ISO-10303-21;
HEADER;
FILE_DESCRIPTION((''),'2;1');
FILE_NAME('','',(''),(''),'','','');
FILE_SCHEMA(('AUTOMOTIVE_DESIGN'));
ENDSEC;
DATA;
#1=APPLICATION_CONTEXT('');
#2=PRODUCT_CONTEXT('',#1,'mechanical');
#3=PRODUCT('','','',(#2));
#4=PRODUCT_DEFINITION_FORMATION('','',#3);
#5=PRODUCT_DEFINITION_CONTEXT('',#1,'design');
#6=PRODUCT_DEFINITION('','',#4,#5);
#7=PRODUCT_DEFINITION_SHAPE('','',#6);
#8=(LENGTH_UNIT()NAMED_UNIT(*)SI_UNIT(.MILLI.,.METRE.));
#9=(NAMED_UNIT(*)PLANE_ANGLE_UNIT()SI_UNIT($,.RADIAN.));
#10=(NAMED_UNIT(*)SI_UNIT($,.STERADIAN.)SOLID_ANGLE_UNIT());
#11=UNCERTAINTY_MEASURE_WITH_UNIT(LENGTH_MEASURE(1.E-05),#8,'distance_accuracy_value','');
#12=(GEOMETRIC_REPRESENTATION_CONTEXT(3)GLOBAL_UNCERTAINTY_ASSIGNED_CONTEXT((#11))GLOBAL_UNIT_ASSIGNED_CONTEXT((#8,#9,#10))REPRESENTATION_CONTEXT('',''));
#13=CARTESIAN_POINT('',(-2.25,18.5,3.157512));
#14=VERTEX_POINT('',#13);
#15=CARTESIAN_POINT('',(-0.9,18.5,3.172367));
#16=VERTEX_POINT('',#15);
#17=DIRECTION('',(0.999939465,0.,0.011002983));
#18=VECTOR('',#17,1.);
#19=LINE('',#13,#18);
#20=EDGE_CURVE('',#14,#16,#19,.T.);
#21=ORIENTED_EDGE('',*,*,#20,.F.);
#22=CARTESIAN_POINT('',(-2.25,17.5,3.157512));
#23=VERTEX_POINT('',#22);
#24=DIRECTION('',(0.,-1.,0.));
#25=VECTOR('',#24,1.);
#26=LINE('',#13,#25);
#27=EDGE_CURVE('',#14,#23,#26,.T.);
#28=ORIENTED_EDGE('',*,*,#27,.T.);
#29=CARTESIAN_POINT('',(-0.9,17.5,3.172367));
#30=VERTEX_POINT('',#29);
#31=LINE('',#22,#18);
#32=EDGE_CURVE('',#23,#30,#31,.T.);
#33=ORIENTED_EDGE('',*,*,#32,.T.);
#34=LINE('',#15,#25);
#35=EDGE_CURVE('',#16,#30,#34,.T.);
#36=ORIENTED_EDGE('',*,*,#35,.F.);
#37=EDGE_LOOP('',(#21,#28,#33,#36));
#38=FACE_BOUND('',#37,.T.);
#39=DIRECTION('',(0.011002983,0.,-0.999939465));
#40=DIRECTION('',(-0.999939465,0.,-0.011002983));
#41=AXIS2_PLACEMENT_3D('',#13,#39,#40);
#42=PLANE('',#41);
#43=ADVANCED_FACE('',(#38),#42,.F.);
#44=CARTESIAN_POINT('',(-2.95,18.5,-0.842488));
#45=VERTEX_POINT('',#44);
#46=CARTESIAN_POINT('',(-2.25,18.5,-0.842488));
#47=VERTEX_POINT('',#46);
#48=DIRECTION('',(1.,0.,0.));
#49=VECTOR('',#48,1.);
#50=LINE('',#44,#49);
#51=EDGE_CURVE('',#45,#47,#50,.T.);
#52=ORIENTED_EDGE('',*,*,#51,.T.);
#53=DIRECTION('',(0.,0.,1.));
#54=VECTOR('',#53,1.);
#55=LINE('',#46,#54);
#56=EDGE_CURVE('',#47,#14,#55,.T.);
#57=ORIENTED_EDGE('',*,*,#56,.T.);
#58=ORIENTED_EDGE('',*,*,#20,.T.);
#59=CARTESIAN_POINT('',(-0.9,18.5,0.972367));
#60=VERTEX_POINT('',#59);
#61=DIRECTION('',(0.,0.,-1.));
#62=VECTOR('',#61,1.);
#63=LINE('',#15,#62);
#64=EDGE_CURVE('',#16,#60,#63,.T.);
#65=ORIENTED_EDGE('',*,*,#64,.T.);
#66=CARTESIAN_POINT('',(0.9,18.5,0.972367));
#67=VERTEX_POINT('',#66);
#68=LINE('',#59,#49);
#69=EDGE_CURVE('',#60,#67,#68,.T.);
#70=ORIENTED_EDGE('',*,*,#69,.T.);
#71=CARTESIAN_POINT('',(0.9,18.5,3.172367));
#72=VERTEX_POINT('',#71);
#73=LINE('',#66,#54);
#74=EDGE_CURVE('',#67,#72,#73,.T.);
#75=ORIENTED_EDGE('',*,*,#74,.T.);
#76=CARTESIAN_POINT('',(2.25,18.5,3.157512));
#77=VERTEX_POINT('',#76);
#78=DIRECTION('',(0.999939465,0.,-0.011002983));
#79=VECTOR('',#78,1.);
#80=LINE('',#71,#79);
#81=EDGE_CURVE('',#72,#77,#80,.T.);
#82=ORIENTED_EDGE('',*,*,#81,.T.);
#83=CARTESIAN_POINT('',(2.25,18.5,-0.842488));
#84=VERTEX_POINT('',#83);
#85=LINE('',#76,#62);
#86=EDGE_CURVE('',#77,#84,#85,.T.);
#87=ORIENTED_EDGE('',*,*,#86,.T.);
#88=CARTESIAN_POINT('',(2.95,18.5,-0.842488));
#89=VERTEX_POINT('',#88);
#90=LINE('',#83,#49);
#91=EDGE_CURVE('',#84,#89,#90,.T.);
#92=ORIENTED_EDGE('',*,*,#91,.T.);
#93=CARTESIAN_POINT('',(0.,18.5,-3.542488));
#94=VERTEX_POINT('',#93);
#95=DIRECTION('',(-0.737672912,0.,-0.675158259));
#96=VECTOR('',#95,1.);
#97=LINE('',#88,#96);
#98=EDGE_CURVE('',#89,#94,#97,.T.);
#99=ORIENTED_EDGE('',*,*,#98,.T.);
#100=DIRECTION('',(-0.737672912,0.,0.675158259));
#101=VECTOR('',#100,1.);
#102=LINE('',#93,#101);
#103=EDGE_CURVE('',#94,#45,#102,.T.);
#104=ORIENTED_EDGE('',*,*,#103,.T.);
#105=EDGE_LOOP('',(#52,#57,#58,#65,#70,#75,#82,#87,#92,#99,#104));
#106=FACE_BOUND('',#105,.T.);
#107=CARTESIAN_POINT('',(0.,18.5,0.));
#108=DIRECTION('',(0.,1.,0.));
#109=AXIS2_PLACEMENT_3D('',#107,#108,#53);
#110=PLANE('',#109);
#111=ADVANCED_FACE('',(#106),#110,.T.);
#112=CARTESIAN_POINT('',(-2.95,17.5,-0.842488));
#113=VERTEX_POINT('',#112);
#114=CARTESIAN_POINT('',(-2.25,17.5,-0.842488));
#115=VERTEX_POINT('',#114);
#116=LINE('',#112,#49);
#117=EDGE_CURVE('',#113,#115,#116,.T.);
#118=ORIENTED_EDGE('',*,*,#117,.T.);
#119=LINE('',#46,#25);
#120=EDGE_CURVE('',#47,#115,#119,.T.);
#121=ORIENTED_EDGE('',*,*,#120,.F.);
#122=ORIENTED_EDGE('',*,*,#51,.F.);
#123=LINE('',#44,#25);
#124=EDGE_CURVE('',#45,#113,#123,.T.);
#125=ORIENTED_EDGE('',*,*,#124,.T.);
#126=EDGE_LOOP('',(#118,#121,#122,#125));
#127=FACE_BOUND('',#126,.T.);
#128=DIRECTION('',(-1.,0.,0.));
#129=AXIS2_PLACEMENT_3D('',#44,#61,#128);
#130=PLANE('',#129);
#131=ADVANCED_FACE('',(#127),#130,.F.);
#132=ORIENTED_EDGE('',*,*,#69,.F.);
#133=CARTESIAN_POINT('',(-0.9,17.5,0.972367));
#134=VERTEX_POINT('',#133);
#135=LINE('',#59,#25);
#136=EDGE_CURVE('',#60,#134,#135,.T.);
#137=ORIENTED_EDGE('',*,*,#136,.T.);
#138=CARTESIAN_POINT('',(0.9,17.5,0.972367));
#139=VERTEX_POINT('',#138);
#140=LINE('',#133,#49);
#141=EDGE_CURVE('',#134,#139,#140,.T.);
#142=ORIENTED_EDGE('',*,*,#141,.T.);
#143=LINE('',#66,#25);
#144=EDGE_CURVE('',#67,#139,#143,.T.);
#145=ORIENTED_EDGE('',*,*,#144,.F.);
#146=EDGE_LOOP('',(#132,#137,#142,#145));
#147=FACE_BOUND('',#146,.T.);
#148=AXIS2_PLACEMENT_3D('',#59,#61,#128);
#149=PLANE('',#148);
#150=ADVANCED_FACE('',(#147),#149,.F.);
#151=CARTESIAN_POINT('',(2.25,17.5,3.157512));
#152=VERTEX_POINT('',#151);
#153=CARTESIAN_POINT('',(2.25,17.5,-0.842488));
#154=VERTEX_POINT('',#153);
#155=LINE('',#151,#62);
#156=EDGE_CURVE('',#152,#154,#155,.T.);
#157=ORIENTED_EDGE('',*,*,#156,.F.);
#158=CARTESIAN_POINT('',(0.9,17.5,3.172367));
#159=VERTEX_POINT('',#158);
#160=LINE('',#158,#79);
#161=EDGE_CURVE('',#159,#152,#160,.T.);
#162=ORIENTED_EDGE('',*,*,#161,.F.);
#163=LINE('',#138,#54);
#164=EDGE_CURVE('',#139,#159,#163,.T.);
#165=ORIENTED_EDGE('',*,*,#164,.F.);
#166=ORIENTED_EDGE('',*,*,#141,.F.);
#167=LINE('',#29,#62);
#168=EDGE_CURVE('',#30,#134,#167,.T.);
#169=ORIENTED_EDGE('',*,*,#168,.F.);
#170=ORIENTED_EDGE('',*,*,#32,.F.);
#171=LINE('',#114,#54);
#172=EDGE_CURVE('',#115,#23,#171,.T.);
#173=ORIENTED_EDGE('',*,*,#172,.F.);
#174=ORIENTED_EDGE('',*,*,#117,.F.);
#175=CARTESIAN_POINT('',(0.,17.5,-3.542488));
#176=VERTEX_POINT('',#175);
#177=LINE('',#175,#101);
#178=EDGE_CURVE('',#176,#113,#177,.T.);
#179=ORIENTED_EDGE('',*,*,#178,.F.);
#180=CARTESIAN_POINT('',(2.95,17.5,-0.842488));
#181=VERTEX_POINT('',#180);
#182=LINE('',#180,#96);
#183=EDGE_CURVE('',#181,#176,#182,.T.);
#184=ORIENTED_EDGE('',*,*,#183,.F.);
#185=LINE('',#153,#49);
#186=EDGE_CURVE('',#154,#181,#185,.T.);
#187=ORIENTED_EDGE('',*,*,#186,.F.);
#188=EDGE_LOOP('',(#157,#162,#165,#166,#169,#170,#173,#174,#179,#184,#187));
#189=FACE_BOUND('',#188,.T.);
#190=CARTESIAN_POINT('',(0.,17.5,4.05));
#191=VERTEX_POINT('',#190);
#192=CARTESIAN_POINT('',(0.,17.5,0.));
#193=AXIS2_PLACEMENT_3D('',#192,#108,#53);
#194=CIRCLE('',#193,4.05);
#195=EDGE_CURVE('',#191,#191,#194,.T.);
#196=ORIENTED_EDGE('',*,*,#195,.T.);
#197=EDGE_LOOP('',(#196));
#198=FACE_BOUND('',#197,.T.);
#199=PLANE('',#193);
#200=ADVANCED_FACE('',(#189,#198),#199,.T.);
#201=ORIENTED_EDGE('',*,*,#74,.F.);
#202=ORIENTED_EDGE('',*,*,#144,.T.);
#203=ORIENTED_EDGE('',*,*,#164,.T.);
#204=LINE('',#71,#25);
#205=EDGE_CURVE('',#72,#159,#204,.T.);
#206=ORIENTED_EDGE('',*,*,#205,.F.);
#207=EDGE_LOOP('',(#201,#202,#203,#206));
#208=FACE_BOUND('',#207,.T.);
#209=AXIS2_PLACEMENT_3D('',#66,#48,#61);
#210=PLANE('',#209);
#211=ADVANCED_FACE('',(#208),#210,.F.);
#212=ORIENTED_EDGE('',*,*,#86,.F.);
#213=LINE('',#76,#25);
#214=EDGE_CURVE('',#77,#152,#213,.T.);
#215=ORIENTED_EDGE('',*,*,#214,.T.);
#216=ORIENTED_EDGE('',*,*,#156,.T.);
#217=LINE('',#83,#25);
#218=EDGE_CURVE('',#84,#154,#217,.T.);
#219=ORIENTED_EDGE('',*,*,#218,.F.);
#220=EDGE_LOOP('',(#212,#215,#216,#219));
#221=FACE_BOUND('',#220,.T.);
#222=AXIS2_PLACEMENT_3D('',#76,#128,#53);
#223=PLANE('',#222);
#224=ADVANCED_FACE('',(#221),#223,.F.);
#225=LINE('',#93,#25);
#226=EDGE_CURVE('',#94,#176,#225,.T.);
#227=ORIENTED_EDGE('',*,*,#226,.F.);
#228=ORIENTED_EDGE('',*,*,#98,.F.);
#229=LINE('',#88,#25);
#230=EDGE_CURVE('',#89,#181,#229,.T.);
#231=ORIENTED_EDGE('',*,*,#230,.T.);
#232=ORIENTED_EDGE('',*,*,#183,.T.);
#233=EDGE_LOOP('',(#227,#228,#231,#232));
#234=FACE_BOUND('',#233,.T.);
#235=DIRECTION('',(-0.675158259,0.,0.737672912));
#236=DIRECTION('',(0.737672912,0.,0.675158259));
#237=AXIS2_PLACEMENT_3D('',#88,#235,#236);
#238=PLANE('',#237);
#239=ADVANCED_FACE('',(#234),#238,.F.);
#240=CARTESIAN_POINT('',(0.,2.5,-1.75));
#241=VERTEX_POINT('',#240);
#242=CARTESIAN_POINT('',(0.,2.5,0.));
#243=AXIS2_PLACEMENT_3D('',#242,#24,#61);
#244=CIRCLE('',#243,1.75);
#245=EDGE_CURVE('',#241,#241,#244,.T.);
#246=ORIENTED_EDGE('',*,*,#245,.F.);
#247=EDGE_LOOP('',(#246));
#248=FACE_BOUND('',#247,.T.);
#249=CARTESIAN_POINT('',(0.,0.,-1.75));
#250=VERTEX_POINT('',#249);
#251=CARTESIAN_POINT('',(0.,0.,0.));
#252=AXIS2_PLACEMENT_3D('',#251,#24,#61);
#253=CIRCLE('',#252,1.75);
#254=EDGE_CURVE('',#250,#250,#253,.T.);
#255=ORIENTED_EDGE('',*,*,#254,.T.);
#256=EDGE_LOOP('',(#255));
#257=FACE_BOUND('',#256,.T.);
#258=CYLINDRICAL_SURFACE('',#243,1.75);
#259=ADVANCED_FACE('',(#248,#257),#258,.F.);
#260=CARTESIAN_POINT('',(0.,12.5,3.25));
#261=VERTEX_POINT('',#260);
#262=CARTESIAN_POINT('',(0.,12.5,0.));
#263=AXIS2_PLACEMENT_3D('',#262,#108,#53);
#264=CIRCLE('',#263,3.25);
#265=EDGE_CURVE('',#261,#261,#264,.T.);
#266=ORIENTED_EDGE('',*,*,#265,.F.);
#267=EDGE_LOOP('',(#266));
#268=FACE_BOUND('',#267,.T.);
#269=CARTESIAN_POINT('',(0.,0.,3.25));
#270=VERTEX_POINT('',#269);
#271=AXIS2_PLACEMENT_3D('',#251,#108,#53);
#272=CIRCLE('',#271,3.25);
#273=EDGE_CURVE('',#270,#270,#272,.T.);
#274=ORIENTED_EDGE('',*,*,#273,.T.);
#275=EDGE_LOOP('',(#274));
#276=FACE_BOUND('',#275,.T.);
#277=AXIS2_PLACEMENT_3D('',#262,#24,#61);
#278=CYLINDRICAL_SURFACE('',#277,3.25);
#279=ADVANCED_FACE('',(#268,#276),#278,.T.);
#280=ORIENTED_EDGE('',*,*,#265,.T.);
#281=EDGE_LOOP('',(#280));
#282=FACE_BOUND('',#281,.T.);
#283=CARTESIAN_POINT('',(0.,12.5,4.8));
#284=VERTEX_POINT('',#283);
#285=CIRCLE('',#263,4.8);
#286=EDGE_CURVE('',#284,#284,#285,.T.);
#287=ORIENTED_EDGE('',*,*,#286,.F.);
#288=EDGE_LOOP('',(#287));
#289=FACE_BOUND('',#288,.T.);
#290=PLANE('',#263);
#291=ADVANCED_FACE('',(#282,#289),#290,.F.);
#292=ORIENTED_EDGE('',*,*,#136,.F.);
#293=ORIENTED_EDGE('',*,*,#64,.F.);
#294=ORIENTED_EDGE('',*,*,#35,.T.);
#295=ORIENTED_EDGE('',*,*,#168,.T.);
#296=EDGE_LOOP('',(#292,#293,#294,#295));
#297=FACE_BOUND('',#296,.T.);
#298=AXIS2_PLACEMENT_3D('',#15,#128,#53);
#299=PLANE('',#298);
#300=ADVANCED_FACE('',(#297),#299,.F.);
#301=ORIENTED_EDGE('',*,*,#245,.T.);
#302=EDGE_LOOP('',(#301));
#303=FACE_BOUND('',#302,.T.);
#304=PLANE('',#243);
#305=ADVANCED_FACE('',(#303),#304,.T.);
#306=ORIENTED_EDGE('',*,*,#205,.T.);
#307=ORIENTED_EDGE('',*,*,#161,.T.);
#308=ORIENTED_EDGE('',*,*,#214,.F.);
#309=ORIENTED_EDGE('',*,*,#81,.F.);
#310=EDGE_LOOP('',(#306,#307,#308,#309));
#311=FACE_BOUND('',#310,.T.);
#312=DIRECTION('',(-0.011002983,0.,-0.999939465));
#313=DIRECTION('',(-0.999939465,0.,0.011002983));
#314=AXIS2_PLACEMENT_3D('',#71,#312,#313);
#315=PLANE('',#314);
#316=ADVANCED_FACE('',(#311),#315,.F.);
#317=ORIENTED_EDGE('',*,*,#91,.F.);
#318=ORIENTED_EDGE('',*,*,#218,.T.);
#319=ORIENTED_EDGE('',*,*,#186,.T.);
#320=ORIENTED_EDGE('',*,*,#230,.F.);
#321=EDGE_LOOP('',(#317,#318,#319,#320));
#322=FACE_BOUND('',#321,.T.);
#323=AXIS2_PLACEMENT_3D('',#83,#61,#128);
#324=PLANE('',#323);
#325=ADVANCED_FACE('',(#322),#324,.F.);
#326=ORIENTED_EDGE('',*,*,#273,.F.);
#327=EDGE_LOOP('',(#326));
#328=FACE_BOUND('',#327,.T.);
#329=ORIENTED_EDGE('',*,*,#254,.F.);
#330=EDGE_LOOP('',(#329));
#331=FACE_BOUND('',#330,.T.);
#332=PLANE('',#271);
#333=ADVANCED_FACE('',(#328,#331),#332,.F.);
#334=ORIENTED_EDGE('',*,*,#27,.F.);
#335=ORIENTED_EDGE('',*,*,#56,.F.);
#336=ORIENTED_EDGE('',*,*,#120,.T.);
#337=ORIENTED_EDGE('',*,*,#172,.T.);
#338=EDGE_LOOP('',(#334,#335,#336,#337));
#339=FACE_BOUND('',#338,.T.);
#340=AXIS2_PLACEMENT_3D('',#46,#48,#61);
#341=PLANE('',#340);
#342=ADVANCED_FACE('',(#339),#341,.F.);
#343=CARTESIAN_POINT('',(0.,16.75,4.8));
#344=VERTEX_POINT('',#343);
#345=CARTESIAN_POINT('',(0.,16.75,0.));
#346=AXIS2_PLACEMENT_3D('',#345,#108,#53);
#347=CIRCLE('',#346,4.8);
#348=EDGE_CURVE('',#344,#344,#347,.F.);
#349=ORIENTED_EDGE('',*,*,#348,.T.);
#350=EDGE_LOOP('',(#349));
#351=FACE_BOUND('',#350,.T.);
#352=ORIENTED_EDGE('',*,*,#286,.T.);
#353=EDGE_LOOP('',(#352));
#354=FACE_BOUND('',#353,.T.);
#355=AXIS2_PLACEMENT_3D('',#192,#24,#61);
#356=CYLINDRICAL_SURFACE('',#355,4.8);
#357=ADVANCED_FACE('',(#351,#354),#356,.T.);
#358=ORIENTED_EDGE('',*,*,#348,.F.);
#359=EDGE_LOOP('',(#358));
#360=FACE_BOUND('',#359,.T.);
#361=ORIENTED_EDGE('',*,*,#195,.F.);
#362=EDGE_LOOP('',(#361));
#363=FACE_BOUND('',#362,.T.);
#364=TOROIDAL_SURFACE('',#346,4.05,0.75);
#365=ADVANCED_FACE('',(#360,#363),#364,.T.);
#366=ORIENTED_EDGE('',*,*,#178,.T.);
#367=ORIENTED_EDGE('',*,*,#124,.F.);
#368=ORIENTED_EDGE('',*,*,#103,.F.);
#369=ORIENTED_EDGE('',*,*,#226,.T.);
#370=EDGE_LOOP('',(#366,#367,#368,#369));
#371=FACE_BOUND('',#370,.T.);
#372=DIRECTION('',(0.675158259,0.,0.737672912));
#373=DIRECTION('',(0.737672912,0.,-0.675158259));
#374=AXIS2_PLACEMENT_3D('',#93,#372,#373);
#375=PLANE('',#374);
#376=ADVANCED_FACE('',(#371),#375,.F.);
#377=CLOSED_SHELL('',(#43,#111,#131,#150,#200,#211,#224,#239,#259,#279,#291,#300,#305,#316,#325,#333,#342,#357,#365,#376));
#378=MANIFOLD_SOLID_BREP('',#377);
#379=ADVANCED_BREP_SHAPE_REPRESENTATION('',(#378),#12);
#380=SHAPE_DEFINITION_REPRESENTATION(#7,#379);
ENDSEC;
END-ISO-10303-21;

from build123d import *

# Parameters (mm, degrees)
SKETCH1_R           = 3.25
BOSS_EXTRUDE1_DEPTH = 12.5
SKETCH2_R           = 1.75
CUT_EXTRUDE1_DEPTH  = 2.5
SKETCH6_R           = 4.8
BOSS_EXTRUDE2_DEPTH = 5
BOSS_EXTRUDE3_DEPTH = 1
FILLET1_R           = 0.75


with BuildPart() as part:
    # Sketch1 → Boss-Extrude1 (new body)
    with BuildSketch(Plane(origin=(0, 0, 0), x_dir=(1, 0, 0), z_dir=(0, 1, 0))):
        Circle(SKETCH1_R)
    extrude(amount=BOSS_EXTRUDE1_DEPTH)

    # Sketch2 → Cut-Extrude1 (cut)
    with BuildSketch(Plane.XZ):
        Circle(SKETCH2_R)
    extrude(amount=-CUT_EXTRUDE1_DEPTH, mode=Mode.SUBTRACT)

    # Sketch6 → Boss-Extrude2 (add)
    with BuildSketch(Plane(origin=(0, 12.5, 0), x_dir=(1, 0, 0), z_dir=(0, 1, 0))):
        Circle(SKETCH6_R)
    extrude(amount=BOSS_EXTRUDE2_DEPTH)

    # Sketch12 → Boss-Extrude3 (add)
    with BuildSketch(Plane(origin=(0, 17.5, 0), x_dir=(1, 0, 0), z_dir=(0, 1, 0))):
        Polygon((0, 3.542487974), (-2.95, 0.842487974), (-2.25, 0.842487974), (-2.25, -3.157512026), (-0.9, -3.172366953), (-0.9, -0.972366953), (0.9, -0.972366953), (0.9, -3.172366953), (2.25, -3.157512026), (2.25, 0.842487974), (2.95, 0.842487974), align=None)
    extrude(amount=BOSS_EXTRUDE3_DEPTH)

    # Fillet1
    fillet1_edges = [part.edges().sort_by_distance(p)[0] for p in [
        (-4.8, 17.5, 0),
    ]]
    fillet(fillet1_edges, radius=FILLET1_R)


solid = part.part
